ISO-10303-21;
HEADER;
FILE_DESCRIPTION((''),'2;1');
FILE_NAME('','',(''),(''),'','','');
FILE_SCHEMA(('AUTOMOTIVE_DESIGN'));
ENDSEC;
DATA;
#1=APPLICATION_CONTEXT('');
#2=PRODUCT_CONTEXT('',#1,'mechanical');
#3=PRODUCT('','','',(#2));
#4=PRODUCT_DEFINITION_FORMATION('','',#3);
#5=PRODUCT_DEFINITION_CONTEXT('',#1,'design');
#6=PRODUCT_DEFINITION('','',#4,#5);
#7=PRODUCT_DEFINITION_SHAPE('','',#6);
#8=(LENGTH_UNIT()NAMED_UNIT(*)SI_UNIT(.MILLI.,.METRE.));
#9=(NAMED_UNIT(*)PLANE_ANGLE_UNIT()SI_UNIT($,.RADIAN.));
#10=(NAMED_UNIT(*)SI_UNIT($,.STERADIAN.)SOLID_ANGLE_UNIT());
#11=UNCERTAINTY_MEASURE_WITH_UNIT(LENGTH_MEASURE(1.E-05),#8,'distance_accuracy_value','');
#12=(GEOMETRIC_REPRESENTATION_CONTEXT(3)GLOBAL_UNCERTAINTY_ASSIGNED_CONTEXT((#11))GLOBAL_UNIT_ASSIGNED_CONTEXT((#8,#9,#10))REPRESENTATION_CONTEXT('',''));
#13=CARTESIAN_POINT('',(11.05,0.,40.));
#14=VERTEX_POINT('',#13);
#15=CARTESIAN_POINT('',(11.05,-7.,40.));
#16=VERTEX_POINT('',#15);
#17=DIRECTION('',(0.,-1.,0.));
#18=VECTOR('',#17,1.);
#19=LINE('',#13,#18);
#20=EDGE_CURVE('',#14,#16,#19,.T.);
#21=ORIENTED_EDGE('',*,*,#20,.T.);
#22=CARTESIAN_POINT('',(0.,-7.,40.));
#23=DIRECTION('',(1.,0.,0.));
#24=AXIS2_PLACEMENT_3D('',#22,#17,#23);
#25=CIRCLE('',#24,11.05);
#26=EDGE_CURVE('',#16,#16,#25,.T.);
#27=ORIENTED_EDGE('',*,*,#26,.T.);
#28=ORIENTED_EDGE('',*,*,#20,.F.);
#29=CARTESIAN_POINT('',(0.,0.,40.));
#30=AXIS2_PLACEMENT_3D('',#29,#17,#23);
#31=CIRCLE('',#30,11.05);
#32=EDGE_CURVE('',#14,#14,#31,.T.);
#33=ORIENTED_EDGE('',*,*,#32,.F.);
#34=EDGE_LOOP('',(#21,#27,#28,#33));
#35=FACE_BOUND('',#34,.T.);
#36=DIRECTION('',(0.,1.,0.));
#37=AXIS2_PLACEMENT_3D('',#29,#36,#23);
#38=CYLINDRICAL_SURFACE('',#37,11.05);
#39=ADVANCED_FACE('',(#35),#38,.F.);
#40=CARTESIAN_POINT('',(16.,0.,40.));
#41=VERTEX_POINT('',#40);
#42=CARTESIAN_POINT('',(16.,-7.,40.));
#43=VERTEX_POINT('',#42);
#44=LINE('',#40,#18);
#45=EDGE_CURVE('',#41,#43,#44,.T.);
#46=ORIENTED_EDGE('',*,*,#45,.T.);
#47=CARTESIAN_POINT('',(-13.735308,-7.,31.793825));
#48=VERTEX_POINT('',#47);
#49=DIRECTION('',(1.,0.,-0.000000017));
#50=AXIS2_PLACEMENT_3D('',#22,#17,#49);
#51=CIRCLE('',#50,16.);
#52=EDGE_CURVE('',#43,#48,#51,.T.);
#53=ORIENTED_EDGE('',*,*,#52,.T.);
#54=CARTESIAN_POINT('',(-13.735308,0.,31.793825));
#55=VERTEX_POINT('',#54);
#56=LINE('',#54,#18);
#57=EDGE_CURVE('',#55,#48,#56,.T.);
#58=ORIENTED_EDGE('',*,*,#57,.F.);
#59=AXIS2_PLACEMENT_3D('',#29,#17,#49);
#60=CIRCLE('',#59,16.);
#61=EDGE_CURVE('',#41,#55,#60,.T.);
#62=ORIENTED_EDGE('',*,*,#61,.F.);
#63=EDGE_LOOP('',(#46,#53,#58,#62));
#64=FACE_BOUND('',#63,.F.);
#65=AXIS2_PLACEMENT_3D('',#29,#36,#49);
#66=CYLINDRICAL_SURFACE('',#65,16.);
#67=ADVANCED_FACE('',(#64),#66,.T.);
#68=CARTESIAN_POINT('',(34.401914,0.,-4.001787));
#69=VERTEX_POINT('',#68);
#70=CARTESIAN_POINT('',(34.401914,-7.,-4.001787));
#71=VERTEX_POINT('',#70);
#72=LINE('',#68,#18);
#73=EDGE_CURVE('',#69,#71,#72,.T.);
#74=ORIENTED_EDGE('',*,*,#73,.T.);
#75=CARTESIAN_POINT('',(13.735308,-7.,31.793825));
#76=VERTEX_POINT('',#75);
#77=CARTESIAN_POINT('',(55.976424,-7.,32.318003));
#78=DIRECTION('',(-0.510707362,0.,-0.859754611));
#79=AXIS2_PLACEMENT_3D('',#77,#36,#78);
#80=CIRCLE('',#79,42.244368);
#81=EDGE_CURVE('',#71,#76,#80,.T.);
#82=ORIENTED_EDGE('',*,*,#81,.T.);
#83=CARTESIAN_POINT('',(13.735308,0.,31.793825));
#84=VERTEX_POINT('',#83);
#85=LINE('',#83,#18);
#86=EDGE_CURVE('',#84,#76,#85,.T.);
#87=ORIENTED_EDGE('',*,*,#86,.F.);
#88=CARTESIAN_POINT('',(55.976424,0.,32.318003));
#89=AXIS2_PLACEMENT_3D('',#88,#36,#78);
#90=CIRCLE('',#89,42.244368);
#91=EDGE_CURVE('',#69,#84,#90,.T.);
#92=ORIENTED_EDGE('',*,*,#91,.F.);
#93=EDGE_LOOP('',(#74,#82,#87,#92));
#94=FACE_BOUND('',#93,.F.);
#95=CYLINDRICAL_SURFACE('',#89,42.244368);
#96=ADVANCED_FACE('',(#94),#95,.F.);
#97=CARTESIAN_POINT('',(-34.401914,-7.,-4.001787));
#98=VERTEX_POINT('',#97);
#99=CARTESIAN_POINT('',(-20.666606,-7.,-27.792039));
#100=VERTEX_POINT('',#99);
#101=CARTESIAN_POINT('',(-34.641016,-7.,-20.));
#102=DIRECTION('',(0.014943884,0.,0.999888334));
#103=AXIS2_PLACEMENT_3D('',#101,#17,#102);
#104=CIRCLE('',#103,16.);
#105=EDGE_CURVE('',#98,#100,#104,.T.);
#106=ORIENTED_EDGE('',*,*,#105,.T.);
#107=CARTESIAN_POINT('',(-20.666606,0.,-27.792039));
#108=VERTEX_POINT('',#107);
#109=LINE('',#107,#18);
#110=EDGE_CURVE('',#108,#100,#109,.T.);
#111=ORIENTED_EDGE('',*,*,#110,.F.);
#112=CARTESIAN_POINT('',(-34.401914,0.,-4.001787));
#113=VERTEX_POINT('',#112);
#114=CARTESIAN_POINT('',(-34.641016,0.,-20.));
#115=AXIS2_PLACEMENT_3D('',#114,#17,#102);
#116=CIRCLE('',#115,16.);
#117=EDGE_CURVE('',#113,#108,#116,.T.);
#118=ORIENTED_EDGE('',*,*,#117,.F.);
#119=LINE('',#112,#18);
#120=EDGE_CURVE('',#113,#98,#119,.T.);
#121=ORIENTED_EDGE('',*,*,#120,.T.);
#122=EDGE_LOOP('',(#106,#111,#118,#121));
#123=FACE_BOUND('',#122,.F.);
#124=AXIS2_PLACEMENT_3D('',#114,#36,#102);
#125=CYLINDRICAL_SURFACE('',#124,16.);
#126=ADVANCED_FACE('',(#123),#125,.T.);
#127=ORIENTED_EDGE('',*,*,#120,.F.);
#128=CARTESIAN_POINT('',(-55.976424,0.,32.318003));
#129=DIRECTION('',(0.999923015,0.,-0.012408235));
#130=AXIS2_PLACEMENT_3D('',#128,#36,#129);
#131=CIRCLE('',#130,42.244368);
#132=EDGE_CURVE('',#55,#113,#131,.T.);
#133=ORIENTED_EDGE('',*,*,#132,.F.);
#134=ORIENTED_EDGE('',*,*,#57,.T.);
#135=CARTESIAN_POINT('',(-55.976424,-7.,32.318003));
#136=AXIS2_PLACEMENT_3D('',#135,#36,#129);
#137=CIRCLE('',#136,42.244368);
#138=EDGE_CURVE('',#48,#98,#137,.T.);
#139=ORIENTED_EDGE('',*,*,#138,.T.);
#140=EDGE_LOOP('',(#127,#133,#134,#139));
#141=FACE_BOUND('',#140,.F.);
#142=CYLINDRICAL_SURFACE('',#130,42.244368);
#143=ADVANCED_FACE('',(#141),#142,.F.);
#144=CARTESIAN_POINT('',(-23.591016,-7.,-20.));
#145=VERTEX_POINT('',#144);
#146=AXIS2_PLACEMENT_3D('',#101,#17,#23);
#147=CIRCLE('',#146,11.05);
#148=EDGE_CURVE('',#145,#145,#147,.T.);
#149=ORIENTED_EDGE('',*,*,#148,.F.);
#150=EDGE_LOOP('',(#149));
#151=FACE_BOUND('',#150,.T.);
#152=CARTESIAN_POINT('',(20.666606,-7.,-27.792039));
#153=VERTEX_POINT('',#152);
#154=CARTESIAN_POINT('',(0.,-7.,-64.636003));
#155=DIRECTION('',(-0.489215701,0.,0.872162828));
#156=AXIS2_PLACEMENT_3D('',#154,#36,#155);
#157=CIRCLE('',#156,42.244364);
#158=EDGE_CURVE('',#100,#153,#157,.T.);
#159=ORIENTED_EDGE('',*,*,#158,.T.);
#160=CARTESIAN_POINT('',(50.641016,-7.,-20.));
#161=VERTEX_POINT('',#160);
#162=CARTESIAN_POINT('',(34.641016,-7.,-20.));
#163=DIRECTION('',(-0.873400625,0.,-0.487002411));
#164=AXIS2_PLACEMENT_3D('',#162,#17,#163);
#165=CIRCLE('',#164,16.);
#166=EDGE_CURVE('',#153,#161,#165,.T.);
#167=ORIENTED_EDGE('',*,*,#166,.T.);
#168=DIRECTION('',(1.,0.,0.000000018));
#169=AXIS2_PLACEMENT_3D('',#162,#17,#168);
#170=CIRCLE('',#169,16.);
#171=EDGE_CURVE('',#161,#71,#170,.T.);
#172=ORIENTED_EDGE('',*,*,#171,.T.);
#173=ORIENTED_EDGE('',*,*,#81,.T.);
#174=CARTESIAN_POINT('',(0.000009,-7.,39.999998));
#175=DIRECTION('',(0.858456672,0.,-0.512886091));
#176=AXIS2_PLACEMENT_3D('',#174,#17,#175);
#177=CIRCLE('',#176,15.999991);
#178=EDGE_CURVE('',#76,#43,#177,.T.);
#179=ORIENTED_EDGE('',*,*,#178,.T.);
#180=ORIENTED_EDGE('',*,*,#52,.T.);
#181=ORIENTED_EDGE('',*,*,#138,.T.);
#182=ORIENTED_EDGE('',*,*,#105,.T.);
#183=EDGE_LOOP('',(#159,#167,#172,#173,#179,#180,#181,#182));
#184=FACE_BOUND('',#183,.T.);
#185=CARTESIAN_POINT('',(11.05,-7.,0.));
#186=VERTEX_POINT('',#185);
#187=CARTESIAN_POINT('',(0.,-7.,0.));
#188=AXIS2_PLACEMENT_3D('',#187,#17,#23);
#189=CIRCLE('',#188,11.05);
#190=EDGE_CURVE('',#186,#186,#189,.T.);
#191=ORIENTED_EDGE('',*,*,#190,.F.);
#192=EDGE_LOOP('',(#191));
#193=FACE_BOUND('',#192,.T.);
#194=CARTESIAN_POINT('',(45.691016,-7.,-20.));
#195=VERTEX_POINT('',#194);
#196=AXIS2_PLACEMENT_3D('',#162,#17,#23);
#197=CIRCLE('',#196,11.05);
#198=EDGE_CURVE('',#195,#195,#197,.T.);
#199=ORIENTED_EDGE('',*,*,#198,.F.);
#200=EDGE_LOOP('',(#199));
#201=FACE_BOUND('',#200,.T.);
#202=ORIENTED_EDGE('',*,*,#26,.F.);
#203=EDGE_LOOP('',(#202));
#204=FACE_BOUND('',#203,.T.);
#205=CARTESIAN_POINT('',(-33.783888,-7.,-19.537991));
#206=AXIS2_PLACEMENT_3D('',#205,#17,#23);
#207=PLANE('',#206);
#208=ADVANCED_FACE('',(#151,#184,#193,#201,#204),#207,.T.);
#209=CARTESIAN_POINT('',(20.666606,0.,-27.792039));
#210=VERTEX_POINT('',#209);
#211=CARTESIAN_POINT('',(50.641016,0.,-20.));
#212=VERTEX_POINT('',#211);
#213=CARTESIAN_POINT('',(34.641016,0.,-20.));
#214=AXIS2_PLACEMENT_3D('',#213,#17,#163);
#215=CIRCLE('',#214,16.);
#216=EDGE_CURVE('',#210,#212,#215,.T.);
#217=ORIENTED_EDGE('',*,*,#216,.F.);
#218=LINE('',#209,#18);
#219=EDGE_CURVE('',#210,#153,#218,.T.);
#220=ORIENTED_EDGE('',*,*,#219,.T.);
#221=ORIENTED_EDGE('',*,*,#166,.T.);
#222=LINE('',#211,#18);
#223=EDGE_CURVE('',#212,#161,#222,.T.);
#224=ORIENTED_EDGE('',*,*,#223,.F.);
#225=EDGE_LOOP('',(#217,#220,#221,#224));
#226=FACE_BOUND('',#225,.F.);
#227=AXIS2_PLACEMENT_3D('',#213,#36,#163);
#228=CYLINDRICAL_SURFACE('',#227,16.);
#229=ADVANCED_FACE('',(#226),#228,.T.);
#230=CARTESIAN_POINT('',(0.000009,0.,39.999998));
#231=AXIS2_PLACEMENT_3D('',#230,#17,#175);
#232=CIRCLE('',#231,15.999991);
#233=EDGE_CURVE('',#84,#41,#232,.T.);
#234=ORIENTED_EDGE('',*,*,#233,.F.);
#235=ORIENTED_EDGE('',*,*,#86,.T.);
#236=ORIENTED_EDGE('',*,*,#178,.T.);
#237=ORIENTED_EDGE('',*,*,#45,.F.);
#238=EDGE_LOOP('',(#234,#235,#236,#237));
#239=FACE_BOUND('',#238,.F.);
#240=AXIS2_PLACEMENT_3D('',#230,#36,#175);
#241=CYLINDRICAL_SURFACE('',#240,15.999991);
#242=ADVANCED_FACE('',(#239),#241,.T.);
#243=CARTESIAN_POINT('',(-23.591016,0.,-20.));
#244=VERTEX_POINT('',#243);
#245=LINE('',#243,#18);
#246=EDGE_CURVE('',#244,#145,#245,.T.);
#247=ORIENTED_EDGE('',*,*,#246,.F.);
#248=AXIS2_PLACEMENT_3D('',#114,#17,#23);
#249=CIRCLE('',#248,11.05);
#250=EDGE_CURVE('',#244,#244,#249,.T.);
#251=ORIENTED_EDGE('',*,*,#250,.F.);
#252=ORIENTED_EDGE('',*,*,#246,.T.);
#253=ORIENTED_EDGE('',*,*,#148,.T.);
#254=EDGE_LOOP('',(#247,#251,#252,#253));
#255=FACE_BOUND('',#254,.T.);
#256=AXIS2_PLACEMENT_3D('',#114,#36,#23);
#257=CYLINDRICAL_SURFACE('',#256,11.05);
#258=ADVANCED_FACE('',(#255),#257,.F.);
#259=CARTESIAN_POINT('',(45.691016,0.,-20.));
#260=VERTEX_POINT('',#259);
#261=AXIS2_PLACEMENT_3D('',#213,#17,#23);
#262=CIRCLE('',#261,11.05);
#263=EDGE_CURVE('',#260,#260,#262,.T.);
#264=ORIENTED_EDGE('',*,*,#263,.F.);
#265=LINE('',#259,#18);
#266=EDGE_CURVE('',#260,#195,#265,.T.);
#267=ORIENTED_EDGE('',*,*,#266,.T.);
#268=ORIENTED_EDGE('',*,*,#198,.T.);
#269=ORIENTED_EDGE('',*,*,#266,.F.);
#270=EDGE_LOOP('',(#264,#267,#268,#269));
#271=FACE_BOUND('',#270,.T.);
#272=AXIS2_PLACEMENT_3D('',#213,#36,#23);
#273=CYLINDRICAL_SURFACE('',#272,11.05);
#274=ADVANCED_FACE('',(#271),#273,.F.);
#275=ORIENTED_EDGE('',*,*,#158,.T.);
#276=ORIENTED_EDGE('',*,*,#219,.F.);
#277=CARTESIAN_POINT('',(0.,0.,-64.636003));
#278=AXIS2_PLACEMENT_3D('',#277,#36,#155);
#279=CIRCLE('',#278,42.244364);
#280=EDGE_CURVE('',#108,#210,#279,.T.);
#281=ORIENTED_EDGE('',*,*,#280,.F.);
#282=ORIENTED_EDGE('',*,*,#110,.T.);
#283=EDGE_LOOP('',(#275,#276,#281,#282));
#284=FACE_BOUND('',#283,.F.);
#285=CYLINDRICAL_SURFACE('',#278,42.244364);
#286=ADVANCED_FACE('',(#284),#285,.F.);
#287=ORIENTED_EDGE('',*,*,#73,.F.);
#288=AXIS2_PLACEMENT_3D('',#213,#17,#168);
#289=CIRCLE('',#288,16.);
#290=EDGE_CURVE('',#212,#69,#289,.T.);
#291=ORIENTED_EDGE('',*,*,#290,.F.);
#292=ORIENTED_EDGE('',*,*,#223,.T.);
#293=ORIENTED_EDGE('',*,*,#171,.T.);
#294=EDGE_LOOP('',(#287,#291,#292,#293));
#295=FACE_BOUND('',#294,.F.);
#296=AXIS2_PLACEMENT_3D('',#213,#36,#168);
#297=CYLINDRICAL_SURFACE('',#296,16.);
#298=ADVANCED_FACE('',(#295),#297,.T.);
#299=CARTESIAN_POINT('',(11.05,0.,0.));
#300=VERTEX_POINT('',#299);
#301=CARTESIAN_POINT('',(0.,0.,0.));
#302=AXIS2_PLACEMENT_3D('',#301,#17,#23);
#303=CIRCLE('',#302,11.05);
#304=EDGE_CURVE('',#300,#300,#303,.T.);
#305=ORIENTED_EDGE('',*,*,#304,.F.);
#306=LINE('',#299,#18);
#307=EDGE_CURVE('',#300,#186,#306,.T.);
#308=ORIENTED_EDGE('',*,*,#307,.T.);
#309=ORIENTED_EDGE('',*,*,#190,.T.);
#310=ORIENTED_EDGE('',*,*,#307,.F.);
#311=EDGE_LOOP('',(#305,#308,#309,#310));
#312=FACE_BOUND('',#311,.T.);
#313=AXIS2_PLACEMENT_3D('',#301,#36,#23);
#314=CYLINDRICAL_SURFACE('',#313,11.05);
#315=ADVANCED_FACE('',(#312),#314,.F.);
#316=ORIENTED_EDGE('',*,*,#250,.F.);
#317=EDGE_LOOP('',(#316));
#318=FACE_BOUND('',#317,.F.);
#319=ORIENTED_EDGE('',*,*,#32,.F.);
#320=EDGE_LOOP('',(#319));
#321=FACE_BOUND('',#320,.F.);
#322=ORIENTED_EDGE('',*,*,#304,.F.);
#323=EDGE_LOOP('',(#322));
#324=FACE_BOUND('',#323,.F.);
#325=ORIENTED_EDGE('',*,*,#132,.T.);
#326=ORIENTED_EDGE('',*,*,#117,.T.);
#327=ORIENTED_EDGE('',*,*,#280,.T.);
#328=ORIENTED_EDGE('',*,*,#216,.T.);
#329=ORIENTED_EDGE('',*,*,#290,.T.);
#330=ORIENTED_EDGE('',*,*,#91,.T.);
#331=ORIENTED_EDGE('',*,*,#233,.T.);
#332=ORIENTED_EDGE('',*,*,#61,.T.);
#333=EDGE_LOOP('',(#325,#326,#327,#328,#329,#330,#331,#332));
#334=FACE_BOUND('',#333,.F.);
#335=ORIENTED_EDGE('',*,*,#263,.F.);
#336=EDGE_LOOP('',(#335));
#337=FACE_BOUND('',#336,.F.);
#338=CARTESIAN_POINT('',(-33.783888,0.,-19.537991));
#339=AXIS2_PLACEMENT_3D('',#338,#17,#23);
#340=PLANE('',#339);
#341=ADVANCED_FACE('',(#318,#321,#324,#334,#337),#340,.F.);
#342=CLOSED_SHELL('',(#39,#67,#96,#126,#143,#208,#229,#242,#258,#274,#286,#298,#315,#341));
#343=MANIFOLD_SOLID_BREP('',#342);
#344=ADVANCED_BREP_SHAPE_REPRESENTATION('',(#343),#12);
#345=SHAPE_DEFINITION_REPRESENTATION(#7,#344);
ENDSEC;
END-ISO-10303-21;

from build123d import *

# Parameters (mm, degrees)
F0_R     = 11.05
F1_DEPTH = 7


with BuildPart() as f1:
    # F0 (on Front) → F1 (new body)
    with BuildSketch(Plane.XZ):
        with BuildLine():
            ThreePointArc((-18.641016, -20), (-23.243086, -8.771145), (-34.401914, -4.001787))
            ThreePointArc((-34.401914, -4.001787), (-48.497423, -28), (-20.666606, -27.792039))
            ThreePointArc((-20.666606, -27.792039), (-19.155691, -24.025509), (-18.641016, -20))
        make_face()
        with Locations((-34.641016, -20)):
            Circle(F0_R, mode=Mode.SUBTRACT)
        with BuildLine():
            ThreePointArc((13.735308, 31.793825), (0, 24), (-13.735308, 31.793825))
            ThreePointArc((-13.735308, 31.793825), (-19.391728, 11.195819), (-34.401914, -4.001787))
            ThreePointArc((-34.401914, -4.001787), (-23.243086, -8.771145), (-18.641016, -20))
            ThreePointArc((-18.641016, -20), (-19.155691, -24.025509), (-20.666606, -27.792039))
            ThreePointArc((-20.666606, -27.792039), (0, -22.391639), (20.666606, -27.792039))
            ThreePointArc((20.666606, -27.792039), (20.78461, -12), (34.401914, -4.001787))
            ThreePointArc((34.401914, -4.001787), (19.391728, 11.195819), (13.735308, 31.793825))
        make_face()
        Circle(F0_R, mode=Mode.SUBTRACT)
        with BuildLine():
            ThreePointArc((13.735308, 31.793825), (15.423439, 35.74353), (16, 40))
            ThreePointArc((16, 40), (-4.25647, 55.423439), (-13.735308, 31.793825))
            ThreePointArc((-13.735308, 31.793825), (0, 24), (13.735308, 31.793825))
        make_face()
        with Locations((0, 40)):
            Circle(F0_R, mode=Mode.SUBTRACT)
        with BuildLine():
            ThreePointArc((50.641016, -20), (45.869871, -8.60207), (34.401914, -4.001787))
            ThreePointArc((34.401914, -4.001787), (20.78461, -12), (20.666606, -27.792039))
            ThreePointArc((20.666606, -27.792039), (38.666525, -35.485325), (50.641016, -20))
        make_face()
        with Locations((34.641016, -20)):
            Circle(F0_R, mode=Mode.SUBTRACT)
    extrude(amount=F1_DEPTH)


solid = f1.part
